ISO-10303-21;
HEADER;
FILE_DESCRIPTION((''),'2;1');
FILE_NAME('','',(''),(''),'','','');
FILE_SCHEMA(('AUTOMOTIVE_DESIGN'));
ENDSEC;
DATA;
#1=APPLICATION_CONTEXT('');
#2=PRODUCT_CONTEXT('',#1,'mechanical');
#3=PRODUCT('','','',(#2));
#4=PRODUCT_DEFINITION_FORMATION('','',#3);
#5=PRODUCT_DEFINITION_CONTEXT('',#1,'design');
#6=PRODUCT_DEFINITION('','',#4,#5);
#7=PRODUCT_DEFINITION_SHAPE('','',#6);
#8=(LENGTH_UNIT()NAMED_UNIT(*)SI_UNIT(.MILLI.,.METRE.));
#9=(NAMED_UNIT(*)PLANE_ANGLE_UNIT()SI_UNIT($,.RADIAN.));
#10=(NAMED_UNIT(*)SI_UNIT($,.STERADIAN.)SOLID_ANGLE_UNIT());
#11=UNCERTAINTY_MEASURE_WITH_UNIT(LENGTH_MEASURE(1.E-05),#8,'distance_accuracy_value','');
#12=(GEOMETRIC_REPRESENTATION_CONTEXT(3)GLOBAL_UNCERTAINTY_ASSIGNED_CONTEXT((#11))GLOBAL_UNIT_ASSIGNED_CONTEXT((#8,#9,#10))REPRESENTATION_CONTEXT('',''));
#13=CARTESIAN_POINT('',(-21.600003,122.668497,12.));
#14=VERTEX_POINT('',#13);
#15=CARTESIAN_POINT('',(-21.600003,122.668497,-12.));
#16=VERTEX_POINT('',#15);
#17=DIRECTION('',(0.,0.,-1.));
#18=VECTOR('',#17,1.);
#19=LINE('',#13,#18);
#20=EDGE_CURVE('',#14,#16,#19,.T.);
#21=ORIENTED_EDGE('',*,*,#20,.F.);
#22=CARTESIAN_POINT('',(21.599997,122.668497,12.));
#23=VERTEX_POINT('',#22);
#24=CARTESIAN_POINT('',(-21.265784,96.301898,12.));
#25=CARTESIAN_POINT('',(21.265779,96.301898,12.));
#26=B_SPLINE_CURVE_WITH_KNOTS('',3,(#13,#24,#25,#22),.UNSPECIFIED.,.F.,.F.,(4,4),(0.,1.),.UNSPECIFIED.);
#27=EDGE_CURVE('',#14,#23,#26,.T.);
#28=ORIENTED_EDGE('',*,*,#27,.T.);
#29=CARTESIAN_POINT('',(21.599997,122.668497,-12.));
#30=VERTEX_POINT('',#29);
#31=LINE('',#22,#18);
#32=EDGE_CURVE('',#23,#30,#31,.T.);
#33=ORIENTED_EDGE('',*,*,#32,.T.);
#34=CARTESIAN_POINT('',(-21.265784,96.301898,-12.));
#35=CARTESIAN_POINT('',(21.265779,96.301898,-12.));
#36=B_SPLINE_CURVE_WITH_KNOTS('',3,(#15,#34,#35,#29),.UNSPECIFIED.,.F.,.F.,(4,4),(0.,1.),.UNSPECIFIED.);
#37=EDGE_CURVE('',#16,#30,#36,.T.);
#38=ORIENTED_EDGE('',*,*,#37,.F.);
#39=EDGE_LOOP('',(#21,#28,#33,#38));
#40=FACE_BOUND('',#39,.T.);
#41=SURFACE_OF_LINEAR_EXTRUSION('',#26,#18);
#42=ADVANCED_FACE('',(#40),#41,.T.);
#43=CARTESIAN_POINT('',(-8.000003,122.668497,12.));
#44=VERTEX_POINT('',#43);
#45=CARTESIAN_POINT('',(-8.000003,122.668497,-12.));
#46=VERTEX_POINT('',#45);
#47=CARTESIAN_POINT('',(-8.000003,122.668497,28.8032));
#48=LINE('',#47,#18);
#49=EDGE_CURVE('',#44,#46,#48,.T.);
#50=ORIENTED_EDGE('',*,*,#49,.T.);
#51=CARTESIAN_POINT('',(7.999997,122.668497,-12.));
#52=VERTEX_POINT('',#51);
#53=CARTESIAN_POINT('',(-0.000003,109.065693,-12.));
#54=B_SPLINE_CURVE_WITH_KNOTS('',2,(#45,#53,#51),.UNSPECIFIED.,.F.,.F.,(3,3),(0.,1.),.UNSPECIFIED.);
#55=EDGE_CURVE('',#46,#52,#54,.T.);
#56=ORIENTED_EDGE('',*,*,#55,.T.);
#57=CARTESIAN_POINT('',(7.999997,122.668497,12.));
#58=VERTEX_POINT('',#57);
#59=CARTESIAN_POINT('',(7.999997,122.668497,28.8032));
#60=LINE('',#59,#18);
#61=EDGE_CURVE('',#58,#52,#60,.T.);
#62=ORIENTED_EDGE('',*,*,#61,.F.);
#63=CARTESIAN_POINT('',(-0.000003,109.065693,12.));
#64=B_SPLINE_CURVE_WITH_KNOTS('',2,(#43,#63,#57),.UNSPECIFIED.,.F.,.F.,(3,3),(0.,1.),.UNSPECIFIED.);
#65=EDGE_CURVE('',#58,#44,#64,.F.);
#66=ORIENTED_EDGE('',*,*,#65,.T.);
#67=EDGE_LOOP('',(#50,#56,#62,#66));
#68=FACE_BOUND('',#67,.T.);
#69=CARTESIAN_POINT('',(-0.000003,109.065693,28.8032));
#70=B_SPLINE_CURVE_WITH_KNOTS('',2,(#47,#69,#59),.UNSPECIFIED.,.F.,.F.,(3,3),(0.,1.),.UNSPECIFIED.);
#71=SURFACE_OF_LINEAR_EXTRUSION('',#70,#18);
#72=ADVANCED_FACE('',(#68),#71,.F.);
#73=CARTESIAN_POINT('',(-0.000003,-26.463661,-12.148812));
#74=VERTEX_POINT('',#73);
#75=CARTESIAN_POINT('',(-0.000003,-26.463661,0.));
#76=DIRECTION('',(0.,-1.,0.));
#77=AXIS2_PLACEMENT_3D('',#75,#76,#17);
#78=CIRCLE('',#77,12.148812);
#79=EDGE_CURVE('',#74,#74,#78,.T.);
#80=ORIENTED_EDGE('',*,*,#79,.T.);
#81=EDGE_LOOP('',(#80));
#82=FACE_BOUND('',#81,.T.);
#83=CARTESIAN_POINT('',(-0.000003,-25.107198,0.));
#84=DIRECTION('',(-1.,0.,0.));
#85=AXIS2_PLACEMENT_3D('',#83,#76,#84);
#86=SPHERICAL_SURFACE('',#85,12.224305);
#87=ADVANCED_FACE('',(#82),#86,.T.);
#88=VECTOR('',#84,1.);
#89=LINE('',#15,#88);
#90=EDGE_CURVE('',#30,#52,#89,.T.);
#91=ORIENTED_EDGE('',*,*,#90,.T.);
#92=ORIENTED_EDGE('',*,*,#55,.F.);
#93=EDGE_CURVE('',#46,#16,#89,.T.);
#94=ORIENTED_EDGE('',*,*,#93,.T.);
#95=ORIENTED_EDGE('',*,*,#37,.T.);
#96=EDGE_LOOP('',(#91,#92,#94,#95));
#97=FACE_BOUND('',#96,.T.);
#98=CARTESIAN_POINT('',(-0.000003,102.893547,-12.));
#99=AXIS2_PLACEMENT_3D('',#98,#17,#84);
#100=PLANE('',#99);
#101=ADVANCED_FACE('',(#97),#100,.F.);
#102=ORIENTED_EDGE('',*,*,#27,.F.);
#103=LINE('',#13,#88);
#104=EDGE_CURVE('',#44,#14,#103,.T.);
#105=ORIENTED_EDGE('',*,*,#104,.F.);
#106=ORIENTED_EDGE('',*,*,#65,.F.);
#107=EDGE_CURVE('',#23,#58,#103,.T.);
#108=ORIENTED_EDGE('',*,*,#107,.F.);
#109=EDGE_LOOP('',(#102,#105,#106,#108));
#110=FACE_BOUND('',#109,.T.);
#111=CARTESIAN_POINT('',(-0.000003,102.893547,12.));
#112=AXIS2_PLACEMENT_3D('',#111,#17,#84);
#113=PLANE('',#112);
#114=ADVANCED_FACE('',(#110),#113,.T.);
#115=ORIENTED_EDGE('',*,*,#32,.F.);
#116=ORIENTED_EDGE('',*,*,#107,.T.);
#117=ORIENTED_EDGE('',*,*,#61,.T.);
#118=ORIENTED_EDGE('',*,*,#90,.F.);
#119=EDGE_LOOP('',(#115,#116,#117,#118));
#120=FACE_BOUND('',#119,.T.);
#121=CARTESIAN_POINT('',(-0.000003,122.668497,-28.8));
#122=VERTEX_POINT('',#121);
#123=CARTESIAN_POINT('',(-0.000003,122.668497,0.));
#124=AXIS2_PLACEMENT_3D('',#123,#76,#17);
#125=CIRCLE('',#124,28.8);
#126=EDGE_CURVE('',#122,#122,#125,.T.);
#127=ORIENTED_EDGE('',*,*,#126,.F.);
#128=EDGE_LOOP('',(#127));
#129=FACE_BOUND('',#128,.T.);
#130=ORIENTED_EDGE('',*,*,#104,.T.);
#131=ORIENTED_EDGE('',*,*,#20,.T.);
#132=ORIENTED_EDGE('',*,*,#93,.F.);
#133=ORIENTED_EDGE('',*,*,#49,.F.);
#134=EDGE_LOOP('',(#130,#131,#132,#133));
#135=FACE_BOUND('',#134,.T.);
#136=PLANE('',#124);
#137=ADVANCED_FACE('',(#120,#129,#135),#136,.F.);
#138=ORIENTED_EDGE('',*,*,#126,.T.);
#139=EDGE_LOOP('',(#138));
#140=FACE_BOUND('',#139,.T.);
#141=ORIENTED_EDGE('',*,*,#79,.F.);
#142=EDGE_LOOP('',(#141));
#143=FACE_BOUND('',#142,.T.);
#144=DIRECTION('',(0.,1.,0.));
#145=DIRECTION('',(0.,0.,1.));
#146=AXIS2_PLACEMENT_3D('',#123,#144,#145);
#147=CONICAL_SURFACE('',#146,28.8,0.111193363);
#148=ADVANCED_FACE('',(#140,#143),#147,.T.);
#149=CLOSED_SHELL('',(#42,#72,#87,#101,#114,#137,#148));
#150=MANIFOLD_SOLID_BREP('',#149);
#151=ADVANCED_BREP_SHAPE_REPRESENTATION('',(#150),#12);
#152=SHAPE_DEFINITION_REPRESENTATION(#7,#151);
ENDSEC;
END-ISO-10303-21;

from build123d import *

# Parameters (mm, degrees)
ENL_V_MAT_EXTRU_1_DEPTH      = 7.5
ENL_V_MAT_EXTRU_1_DEPTH_BACK = 7.5
BOSS_EXTRU_1_REACH           = 27.5
ECHELLE1_SCALE               = 1.6


with BuildPart() as part:
    # Esquisse1 → R_volution1 (revolve)
    with BuildSketch(Plane.XY):
        with BuildLine():
            Line((0, 0), (0, 100))
            Line((0, 100), (-18, 100))
            Line((-18, 100), (-7.593007693, 6.792401612))
            ThreePointArc((-7.593007693, 6.792401612), (-5.093880777, 1.945904787), (0, 0))
        make_face()
    revolve(axis=Axis((0, 0, 0), (0, 1, 0)))

    # Esquisse2 → Enl_v. mat.-Extru.1 (cut, two sides)
    with BuildSketch(Plane.XY) as enl_v_mat_extru_1_sk:
        with BuildLine():
            Line((-13.5, 100), (13.5, 100))
            add(Edge.make_bspline(
                [(-13.5, 100), (-13.291113541, 83.520875666), (13.291113541, 83.520875666), (13.5, 100)],
                knots=[0, 0, 0, 0, 1, 1, 1, 1], degree=3))
        make_face()
    extrude(amount=ENL_V_MAT_EXTRU_1_DEPTH, mode=Mode.SUBTRACT)
    extrude(enl_v_mat_extru_1_sk.sketch, amount=-ENL_V_MAT_EXTRU_1_DEPTH_BACK, mode=Mode.SUBTRACT)

    # Esquisse3 → Boss.-Extru.1 (add, up to next)
    with BuildSketch(Plane.XY.offset(-7.5), mode=Mode.PRIVATE) as boss_extru_1_sk1:
        with BuildLine():
            Line((-5, 100), (5, 100))
            add(Edge.make_bspline(
                [(-5, 100), (0, 91.498247822), (5, 100)],
                knots=[0, 0, 0, 1, 1, 1], degree=2))
        make_face()
    boss_extru_1_tool1 = extrude(boss_extru_1_sk1.sketch, amount=BOSS_EXTRU_1_REACH, mode=Mode.PRIVATE) - part.part
    add(boss_extru_1_tool1.solids().sort_by_distance((0, 98.29965, -7.5))[0])


with BuildPart() as part_1:
    # Echelle1: scaled about (-4e-09, 62.219241992, 3e-09)
    add(part.part.scale(ECHELLE1_SCALE).moved(Location((2e-09, -37.331545195, -2e-09))))


solid = part_1.part
